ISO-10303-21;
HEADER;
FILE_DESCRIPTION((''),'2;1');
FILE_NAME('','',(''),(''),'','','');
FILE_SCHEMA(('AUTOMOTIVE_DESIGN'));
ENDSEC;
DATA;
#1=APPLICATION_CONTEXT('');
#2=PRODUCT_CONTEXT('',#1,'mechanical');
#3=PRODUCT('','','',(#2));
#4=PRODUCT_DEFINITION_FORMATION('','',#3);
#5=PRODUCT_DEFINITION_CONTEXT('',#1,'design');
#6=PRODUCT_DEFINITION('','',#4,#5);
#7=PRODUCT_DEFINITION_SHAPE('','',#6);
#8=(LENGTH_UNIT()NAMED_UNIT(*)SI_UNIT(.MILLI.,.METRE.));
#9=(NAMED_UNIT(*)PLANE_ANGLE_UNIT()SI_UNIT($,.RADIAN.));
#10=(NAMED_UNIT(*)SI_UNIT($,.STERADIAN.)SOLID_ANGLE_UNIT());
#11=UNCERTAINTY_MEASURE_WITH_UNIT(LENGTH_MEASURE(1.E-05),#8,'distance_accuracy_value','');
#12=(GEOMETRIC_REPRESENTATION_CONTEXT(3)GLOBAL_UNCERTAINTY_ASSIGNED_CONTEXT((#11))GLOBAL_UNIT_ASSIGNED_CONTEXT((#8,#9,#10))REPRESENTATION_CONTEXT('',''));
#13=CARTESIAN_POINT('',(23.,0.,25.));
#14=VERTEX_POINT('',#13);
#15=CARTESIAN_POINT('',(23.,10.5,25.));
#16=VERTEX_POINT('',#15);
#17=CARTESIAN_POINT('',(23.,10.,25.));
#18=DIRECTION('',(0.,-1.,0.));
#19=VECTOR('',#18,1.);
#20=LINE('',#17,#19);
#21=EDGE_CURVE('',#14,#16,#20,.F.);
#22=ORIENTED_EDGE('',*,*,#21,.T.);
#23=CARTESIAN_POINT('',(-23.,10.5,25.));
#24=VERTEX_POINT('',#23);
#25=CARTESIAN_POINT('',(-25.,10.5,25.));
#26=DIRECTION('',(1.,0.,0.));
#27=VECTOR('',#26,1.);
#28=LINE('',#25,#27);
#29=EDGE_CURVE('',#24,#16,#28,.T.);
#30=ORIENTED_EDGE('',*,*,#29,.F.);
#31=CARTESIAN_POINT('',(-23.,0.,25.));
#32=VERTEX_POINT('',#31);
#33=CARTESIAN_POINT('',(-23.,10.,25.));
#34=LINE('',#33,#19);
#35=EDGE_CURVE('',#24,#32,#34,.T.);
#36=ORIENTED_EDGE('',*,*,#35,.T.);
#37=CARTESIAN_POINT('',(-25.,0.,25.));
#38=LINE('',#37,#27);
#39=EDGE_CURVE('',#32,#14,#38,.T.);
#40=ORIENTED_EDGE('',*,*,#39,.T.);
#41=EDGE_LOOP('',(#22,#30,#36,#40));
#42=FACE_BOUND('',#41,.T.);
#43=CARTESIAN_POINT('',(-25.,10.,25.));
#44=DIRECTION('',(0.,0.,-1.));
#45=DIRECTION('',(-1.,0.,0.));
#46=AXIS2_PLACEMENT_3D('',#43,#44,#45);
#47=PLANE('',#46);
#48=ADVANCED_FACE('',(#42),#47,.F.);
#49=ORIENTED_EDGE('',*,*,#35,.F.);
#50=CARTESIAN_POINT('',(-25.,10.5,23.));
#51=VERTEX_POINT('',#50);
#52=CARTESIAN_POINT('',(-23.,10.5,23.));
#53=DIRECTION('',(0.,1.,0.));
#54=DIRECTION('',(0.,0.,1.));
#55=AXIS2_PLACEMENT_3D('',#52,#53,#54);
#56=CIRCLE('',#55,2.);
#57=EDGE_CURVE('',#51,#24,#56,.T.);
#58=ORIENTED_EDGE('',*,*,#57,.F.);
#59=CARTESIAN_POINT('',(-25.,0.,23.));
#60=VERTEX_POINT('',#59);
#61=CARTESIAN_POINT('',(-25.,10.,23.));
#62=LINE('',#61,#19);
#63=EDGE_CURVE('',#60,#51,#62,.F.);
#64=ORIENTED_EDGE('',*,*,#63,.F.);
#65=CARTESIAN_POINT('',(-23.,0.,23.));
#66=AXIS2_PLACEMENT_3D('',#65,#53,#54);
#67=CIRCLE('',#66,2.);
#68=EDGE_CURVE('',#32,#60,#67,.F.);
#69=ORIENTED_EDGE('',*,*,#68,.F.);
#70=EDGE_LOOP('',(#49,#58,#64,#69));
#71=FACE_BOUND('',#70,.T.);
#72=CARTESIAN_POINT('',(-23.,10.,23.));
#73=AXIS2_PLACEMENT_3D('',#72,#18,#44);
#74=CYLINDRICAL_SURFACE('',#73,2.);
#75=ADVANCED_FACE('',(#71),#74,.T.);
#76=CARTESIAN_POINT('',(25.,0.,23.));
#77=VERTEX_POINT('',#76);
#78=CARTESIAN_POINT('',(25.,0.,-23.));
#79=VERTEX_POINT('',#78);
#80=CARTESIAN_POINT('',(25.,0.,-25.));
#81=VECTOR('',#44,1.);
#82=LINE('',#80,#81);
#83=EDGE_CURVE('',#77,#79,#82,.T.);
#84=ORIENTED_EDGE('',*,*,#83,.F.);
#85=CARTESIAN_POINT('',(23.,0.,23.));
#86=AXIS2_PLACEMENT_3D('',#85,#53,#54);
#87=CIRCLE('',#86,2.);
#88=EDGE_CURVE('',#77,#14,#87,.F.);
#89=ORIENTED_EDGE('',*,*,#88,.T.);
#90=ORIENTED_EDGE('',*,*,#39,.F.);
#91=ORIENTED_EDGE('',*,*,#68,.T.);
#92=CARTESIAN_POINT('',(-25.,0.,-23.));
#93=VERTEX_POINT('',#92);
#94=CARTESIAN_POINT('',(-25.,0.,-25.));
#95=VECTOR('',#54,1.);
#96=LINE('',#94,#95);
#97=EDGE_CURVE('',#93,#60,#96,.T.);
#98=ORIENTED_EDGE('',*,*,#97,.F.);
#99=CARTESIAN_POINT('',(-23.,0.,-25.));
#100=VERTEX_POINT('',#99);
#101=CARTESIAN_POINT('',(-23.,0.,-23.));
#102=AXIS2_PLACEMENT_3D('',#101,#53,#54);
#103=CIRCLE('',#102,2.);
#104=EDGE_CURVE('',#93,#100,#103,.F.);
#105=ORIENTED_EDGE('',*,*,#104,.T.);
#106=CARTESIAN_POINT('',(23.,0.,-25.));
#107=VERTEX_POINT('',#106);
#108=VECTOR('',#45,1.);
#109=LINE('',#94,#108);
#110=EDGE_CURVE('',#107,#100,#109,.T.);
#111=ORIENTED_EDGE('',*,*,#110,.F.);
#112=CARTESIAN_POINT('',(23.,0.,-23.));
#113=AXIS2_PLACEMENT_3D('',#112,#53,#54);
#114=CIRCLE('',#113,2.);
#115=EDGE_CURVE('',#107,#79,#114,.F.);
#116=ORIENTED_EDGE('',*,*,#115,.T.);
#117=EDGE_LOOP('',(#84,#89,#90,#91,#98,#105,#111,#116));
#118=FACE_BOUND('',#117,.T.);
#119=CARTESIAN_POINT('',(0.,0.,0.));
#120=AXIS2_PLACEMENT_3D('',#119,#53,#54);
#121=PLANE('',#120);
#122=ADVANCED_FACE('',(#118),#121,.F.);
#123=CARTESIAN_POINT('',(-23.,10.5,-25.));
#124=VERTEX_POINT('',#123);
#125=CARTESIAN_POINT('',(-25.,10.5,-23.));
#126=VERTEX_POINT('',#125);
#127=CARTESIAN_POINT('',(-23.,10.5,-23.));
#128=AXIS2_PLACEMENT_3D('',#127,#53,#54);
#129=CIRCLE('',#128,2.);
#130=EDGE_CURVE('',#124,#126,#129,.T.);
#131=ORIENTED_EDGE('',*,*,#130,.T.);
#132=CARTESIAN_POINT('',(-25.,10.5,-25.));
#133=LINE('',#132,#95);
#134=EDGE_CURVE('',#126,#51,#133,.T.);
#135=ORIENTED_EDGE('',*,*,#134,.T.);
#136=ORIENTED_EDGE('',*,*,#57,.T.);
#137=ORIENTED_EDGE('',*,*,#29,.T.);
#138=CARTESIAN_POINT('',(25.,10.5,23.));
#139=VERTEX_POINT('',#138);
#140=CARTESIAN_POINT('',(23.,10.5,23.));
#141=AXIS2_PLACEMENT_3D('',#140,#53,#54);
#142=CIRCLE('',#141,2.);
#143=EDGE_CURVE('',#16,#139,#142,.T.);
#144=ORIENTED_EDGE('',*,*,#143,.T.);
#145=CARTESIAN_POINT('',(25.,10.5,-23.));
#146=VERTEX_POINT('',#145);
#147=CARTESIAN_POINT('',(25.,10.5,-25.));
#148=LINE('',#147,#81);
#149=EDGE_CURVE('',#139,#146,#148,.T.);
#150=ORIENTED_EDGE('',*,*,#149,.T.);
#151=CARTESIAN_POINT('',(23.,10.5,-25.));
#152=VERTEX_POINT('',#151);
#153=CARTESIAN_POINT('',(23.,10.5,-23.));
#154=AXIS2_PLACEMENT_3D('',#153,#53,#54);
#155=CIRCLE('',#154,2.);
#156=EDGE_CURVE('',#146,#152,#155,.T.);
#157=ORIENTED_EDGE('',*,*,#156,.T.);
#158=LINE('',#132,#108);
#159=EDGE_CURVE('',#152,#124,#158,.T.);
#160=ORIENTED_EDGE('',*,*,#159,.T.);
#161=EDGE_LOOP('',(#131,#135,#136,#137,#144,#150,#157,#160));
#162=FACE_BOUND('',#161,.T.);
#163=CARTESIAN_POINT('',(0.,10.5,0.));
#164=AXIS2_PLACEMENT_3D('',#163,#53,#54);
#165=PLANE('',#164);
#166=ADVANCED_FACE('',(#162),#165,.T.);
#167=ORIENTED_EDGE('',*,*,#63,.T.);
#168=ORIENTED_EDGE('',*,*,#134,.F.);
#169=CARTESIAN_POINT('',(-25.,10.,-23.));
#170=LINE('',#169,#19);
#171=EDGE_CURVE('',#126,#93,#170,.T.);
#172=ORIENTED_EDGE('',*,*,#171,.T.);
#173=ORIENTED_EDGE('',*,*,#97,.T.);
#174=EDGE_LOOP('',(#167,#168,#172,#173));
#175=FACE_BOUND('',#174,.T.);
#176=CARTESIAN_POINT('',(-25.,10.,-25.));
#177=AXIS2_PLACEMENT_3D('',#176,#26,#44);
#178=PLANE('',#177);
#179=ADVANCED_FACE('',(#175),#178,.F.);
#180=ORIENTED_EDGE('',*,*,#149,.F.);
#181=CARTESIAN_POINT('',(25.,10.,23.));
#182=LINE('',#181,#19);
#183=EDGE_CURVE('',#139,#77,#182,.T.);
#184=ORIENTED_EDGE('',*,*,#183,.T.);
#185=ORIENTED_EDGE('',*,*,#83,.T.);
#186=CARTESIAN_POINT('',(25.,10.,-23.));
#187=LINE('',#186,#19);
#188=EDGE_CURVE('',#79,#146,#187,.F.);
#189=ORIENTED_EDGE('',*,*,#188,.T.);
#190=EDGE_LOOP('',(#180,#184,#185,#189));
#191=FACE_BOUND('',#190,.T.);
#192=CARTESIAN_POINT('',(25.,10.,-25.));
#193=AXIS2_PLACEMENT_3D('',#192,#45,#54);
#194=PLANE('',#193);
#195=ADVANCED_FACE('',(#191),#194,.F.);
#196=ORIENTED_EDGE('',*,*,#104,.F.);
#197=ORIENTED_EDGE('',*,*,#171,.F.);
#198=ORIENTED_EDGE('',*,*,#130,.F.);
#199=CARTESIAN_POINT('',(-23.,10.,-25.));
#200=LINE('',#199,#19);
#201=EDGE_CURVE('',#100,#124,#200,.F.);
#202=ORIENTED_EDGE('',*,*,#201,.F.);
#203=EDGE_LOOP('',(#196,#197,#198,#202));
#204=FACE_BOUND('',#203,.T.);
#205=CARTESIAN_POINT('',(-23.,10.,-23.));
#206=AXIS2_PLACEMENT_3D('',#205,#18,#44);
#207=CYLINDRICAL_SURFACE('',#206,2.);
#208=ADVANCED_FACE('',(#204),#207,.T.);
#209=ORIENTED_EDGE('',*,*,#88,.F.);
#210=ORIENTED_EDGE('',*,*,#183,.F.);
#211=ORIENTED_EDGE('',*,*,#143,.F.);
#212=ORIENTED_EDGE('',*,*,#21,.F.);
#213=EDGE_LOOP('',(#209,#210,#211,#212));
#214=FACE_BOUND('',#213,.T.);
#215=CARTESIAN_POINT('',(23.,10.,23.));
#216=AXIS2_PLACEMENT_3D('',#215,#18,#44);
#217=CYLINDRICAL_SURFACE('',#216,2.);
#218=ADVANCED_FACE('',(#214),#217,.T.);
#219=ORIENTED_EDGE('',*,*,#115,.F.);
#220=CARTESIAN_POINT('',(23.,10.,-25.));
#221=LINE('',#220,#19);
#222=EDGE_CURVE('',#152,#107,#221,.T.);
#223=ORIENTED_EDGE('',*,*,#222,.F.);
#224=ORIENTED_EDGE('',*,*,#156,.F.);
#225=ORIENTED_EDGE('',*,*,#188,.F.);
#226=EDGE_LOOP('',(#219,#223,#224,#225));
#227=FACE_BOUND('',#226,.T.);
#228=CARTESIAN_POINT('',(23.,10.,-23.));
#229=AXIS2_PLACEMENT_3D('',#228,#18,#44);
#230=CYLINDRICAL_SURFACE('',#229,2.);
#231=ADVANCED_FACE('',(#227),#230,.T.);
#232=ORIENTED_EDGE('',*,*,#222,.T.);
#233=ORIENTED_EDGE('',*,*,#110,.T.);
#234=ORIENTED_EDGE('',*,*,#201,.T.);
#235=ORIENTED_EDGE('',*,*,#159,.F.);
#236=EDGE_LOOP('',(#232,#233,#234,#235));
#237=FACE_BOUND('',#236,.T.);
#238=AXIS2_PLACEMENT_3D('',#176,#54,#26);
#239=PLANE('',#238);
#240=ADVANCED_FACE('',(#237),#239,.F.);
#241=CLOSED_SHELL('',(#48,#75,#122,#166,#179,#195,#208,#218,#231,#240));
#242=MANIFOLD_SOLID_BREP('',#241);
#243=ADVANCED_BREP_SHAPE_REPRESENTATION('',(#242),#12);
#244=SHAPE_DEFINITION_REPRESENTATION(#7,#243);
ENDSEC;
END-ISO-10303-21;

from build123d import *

# Parameters (mm, degrees)
SKETCH_1_W      = 50
SKETCH_1_H      = 50
EXTRUDE_1_DEPTH = 10
SKETCH_2_W      = 50
SKETCH_2_H      = 50
EXTRUDE_2_DEPTH = 0.5
FILLET_1_R      = 2


with BuildPart() as part:
    # 草图1 → 凸台-拉伸1 (new body)
    with BuildSketch(Plane(origin=(0, 0, 0), x_dir=(1, 0, 0), z_dir=(0, 1, 0))):
        Rectangle(SKETCH_1_W, SKETCH_1_H)
    extrude(amount=EXTRUDE_1_DEPTH)

    # 草图2 → 凸台-拉伸2 (add)
    with BuildSketch(Plane(origin=(0, 10, 0), x_dir=(1, 0, 0), z_dir=(0, 1, 0))):
        Rectangle(SKETCH_2_W, SKETCH_2_H)
    extrude(amount=EXTRUDE_2_DEPTH)

    # 圆角1
    fillet_1_edges = [part.edges().sort_by_distance(p)[0] for p in [
        (25, 5.25, 25),
        (-25, 5.25, 25),
        (-25, 5.25, -25),
        (25, 5.25, -25),
    ]]
    fillet(fillet_1_edges, radius=FILLET_1_R)


solid = part.part
